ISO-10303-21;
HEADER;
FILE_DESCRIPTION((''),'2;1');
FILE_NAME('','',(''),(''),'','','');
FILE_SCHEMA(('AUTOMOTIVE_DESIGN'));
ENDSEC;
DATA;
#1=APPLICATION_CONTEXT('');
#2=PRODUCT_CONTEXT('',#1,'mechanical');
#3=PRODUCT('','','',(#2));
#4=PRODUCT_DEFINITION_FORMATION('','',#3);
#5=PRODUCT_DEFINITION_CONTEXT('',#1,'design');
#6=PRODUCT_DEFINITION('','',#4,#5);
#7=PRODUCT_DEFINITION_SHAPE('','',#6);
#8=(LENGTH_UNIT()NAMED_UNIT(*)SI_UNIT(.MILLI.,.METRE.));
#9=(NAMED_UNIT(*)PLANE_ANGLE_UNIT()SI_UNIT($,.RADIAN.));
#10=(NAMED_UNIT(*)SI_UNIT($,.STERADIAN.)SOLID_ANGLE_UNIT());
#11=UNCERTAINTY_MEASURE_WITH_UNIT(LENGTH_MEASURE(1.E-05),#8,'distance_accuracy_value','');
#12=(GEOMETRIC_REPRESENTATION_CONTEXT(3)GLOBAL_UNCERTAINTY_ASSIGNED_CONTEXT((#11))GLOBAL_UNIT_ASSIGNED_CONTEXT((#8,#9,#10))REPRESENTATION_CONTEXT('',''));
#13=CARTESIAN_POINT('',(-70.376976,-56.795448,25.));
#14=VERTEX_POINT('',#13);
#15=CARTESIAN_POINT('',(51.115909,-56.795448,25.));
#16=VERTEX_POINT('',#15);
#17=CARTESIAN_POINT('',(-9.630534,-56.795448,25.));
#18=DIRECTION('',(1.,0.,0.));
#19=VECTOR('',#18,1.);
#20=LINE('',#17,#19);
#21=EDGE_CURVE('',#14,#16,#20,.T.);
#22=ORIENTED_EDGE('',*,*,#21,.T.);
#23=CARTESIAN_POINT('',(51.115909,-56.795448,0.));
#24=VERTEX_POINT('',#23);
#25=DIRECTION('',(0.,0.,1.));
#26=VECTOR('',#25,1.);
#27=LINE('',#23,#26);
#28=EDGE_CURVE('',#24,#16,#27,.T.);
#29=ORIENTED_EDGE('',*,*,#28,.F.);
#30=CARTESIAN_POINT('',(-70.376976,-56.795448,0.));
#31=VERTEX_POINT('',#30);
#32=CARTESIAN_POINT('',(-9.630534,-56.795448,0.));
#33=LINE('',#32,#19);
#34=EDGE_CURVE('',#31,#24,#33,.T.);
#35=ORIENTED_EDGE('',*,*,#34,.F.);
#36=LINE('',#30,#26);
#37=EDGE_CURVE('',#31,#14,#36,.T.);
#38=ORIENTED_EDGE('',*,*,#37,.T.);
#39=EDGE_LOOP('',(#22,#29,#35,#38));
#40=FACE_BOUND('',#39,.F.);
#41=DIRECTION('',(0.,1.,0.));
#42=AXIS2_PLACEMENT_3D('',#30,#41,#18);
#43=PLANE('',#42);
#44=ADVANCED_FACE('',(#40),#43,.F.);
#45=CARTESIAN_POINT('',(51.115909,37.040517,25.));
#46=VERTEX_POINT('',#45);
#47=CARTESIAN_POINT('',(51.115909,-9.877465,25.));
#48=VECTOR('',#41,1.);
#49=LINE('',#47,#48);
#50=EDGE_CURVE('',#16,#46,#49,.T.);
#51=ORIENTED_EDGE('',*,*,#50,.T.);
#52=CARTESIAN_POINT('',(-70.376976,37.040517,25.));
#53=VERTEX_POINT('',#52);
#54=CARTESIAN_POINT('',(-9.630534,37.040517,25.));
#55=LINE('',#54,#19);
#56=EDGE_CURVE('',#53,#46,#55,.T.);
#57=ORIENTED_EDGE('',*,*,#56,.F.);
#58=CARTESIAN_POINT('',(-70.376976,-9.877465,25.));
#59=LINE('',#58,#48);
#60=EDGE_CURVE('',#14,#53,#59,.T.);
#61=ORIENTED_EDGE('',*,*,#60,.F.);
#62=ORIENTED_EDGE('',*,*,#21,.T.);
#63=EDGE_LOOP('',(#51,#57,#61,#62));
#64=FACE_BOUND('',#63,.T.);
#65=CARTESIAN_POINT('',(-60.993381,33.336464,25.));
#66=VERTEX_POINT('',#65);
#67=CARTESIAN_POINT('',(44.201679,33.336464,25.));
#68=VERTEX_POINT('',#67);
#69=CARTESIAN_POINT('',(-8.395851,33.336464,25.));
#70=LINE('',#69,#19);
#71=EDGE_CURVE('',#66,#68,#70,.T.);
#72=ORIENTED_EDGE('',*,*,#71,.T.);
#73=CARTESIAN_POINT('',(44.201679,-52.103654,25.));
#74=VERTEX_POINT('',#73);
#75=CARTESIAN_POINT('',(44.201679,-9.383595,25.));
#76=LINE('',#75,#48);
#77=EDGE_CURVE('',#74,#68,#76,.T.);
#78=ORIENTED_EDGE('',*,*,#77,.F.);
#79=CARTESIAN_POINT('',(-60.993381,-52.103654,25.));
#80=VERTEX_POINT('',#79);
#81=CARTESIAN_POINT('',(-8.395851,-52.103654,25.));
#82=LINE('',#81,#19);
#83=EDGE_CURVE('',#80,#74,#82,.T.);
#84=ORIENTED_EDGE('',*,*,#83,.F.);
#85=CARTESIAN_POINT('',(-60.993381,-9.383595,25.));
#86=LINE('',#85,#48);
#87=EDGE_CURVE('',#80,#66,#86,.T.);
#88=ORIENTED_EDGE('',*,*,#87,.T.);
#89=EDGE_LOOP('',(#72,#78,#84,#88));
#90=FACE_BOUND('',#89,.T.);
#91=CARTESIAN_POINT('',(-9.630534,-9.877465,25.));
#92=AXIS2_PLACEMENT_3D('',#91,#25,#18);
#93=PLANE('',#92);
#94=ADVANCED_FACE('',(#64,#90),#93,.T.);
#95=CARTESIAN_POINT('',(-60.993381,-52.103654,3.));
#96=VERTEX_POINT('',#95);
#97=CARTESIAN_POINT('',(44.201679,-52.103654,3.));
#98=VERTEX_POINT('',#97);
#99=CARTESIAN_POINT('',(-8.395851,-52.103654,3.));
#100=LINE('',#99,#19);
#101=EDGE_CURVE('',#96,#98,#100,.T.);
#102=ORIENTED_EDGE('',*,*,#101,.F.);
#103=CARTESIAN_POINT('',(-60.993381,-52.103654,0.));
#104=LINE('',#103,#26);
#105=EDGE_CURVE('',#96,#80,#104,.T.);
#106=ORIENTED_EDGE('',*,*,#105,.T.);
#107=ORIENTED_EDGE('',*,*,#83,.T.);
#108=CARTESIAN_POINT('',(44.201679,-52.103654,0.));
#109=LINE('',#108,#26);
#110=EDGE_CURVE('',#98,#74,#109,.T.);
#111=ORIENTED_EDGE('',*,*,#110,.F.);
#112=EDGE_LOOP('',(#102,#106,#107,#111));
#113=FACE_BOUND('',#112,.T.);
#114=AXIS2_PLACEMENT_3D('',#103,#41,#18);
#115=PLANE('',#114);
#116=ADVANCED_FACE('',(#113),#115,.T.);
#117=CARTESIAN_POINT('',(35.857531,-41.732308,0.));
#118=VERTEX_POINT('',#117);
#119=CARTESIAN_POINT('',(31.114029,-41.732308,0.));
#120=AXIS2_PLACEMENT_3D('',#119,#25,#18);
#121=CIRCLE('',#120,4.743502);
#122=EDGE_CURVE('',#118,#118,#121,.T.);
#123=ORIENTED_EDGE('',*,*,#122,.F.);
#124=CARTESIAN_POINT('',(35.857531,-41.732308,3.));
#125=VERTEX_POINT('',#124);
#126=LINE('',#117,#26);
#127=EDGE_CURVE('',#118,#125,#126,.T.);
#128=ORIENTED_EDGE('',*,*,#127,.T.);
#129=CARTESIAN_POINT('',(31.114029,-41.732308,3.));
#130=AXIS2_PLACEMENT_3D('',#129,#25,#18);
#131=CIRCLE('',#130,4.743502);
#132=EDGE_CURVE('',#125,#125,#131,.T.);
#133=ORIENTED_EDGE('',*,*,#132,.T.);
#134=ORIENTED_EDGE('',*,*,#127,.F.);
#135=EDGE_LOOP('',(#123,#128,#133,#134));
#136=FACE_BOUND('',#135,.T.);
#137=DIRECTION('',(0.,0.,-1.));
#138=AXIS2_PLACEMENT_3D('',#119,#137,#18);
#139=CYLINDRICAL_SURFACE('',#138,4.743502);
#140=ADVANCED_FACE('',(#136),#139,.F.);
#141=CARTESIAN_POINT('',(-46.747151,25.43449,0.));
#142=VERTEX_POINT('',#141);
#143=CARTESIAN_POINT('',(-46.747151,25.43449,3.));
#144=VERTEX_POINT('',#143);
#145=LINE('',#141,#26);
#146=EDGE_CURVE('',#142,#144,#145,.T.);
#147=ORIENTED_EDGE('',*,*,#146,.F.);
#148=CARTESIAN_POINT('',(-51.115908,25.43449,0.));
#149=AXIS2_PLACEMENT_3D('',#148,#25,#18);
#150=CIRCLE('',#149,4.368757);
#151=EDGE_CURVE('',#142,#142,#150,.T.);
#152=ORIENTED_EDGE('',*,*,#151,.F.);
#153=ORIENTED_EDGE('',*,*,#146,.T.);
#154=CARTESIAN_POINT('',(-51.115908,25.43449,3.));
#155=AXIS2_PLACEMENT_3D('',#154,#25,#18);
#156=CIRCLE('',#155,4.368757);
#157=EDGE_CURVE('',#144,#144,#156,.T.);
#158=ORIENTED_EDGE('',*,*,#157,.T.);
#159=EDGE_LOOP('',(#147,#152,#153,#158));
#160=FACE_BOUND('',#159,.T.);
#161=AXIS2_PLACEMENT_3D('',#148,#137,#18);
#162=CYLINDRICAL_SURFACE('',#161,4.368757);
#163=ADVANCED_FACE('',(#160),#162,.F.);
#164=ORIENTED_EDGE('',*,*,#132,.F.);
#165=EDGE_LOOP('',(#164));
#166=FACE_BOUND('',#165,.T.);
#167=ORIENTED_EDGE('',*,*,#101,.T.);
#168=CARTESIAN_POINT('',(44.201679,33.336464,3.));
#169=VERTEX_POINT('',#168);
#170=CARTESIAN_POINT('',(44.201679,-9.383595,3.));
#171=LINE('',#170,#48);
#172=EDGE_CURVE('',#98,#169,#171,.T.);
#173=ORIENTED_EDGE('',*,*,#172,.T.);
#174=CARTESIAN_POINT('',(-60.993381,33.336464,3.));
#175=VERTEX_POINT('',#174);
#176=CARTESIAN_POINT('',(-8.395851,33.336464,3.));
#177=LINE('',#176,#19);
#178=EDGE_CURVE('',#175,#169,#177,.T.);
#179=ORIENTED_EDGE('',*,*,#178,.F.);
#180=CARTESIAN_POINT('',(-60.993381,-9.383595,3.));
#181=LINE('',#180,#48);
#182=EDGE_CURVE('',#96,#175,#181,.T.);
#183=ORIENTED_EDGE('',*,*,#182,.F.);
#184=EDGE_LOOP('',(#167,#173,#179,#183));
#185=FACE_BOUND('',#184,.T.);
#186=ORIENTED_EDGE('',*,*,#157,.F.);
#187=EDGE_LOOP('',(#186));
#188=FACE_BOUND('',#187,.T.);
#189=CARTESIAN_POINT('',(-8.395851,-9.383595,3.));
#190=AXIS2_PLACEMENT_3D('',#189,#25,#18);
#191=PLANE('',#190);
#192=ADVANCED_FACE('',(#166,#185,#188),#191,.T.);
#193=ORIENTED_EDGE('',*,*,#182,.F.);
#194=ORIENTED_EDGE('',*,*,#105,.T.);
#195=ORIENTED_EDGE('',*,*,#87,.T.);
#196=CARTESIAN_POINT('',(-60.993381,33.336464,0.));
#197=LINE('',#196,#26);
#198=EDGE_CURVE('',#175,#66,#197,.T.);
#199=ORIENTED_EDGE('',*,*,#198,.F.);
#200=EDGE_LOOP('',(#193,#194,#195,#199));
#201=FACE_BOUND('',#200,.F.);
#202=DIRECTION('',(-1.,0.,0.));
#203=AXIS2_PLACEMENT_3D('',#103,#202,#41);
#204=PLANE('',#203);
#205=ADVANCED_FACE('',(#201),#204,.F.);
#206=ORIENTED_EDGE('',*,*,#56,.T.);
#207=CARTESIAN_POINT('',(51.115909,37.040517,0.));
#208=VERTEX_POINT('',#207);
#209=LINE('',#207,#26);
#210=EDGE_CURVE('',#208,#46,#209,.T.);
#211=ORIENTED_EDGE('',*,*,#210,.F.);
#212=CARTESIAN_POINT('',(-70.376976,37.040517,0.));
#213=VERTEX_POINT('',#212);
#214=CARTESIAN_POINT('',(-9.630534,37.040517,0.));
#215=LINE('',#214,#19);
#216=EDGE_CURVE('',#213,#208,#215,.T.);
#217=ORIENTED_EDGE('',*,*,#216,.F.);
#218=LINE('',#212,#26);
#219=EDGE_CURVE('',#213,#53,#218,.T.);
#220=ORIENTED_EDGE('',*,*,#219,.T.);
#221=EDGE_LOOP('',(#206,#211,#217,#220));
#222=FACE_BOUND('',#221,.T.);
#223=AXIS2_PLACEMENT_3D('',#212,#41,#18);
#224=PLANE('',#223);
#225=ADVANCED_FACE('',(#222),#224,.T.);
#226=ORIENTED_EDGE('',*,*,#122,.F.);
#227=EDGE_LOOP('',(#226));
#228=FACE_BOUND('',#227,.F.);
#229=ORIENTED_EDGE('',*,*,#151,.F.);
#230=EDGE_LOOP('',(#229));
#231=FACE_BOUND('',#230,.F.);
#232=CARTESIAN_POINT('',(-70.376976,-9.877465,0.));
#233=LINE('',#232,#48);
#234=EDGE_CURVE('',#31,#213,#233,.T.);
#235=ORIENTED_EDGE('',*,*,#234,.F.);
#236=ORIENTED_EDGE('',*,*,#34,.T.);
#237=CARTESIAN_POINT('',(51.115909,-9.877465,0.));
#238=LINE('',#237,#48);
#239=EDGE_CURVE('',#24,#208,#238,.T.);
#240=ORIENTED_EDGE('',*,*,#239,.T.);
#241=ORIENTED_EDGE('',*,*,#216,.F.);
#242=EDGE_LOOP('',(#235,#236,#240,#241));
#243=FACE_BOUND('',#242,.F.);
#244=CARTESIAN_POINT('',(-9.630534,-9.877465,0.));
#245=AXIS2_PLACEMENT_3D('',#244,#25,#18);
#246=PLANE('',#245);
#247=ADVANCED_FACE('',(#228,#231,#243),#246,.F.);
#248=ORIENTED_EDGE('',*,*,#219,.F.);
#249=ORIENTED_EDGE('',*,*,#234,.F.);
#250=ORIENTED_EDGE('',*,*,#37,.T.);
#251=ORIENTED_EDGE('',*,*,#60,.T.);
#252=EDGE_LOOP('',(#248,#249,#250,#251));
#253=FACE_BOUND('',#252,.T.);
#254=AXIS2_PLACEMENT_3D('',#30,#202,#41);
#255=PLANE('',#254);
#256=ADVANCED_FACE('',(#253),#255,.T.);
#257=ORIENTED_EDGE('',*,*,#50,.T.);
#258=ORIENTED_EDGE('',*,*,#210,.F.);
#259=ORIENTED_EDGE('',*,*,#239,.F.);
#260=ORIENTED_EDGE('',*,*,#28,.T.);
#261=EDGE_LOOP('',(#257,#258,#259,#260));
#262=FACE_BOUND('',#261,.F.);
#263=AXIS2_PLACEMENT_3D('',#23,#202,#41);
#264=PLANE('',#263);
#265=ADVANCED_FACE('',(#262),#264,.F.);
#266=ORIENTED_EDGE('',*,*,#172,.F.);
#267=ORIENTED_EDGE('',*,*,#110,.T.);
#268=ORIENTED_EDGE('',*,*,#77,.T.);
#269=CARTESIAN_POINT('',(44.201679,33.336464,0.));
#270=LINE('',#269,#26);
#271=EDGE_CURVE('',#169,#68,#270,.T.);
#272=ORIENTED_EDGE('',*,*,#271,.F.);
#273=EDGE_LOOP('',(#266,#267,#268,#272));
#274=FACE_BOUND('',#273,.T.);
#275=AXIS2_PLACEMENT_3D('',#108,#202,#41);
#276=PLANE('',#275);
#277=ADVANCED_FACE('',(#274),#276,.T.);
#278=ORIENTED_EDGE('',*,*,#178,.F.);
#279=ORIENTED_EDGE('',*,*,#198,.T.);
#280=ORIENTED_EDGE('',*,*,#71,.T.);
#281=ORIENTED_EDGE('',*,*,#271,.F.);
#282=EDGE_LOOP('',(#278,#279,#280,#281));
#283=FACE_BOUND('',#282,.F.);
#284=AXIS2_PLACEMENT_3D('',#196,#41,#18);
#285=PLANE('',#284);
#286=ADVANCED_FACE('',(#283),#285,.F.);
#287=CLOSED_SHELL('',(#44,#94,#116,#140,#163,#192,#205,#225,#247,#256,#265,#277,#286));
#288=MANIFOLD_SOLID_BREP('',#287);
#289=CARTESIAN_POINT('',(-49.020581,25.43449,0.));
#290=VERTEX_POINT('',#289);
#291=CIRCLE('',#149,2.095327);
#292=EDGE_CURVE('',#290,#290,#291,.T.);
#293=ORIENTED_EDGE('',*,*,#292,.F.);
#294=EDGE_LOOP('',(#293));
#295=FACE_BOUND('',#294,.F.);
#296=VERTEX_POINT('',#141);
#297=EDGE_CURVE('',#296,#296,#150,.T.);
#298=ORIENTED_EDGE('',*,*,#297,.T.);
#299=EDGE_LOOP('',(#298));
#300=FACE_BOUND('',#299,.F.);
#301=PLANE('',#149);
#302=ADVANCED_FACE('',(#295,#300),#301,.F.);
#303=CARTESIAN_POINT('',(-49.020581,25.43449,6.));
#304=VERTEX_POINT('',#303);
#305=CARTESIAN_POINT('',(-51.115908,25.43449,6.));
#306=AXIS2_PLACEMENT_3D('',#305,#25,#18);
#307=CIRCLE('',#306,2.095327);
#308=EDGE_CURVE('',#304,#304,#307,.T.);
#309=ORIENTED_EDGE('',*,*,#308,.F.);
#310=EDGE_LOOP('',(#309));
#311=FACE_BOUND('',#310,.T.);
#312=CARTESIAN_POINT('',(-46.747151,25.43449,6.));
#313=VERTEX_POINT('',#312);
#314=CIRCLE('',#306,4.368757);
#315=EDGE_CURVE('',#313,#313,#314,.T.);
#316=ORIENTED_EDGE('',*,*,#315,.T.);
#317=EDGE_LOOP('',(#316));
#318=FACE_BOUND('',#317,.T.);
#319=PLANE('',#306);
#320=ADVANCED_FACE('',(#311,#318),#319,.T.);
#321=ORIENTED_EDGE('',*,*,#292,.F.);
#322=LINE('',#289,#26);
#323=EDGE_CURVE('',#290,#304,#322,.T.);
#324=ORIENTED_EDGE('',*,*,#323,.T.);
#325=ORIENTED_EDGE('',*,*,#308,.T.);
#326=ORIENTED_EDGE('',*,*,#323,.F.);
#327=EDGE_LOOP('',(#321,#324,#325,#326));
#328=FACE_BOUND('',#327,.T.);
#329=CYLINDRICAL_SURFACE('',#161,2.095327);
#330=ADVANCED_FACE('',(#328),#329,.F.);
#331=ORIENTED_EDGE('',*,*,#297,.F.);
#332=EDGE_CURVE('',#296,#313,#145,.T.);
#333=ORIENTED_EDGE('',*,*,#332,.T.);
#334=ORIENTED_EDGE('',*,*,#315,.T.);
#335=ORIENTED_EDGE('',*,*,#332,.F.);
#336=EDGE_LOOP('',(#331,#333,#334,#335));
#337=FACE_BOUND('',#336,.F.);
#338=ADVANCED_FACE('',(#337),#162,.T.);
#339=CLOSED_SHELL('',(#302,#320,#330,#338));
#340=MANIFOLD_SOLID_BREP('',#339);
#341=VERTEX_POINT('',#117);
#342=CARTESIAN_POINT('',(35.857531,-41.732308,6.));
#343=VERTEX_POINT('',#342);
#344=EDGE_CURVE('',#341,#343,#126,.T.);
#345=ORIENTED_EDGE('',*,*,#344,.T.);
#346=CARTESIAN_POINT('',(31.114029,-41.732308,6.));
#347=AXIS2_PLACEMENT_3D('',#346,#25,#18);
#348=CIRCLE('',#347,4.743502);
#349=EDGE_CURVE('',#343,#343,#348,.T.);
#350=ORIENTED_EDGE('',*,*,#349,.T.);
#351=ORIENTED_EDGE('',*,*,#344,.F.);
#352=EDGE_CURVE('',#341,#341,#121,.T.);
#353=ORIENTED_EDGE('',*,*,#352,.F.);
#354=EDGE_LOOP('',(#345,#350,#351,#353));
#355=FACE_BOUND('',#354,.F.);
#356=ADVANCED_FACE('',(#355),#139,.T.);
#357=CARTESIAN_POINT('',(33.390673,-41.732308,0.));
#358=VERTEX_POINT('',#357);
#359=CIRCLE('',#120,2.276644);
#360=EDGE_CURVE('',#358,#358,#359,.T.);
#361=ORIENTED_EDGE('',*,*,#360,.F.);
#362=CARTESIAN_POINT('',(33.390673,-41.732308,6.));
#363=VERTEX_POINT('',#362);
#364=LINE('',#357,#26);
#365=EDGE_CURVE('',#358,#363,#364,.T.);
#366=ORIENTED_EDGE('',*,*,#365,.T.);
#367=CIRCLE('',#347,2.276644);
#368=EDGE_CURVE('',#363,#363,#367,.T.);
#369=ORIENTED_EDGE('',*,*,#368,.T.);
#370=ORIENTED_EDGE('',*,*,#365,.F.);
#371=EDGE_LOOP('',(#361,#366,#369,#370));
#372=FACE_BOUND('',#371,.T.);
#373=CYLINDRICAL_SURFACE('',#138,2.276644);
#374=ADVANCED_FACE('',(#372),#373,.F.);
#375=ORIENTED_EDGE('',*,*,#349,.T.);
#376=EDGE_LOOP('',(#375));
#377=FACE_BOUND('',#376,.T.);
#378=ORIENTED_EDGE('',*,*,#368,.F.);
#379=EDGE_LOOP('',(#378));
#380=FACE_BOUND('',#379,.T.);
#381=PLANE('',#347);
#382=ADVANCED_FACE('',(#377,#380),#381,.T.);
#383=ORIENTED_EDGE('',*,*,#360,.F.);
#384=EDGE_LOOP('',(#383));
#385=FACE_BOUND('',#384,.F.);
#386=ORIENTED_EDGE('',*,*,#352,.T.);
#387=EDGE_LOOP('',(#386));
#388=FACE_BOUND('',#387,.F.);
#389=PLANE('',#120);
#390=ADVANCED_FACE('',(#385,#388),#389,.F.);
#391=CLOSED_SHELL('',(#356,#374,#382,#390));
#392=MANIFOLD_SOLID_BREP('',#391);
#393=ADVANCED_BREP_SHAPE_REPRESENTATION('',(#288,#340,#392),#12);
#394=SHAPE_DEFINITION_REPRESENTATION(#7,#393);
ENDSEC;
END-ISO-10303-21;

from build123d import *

# Parameters (mm, degrees)
F0_R     = 4.368757
F0_R_2   = 2.095327
F0_R_3   = 4.743502
F0_R_4   = 2.276644
F1_DEPTH = 6
F0_W     = 105.195061
F0_H     = 85.440118
F2_DEPTH = 3
F0_W_2   = 121.492885
F0_H_2   = 93.835965
F3_DEPTH = 25


with BuildPart() as f1:
    # F0 (on Top) → F1 (new body)
    with BuildSketch(Plane.XY):
        with Locations((-51.115908, 25.43449)):
            Circle(F0_R)
        with Locations((-51.115908, 25.43449)):
            Circle(F0_R_2, mode=Mode.SUBTRACT)
        with Locations((31.114029, -41.732308)):
            Circle(F0_R_3)
        with Locations((31.114029, -41.732308)):
            Circle(F0_R_4, mode=Mode.SUBTRACT)
    extrude(amount=F1_DEPTH)


with BuildPart() as f2:
    # F0 (on Top) → F2 (new body)
    with BuildSketch(Plane.XY):
        with Locations((-8.395851, -9.383595)):
            Rectangle(F0_W, F0_H)
        with Locations((31.114029, -41.732308)):
            Circle(F0_R_3, mode=Mode.SUBTRACT)
        with Locations((-51.115908, 25.43449)):
            Circle(F0_R, mode=Mode.SUBTRACT)
    extrude(amount=F2_DEPTH)

    # F0 (on Top) → F3 (join)
    with BuildSketch(Plane.XY):
        with Locations((-9.630534, -9.877465)):
            Rectangle(F0_W_2, F0_H_2)
        with Locations((-8.395851, -9.383595)):
            Rectangle(F0_W, F0_H, mode=Mode.SUBTRACT)
    extrude(amount=F3_DEPTH)


solid = Compound([f1.part, f2.part])
